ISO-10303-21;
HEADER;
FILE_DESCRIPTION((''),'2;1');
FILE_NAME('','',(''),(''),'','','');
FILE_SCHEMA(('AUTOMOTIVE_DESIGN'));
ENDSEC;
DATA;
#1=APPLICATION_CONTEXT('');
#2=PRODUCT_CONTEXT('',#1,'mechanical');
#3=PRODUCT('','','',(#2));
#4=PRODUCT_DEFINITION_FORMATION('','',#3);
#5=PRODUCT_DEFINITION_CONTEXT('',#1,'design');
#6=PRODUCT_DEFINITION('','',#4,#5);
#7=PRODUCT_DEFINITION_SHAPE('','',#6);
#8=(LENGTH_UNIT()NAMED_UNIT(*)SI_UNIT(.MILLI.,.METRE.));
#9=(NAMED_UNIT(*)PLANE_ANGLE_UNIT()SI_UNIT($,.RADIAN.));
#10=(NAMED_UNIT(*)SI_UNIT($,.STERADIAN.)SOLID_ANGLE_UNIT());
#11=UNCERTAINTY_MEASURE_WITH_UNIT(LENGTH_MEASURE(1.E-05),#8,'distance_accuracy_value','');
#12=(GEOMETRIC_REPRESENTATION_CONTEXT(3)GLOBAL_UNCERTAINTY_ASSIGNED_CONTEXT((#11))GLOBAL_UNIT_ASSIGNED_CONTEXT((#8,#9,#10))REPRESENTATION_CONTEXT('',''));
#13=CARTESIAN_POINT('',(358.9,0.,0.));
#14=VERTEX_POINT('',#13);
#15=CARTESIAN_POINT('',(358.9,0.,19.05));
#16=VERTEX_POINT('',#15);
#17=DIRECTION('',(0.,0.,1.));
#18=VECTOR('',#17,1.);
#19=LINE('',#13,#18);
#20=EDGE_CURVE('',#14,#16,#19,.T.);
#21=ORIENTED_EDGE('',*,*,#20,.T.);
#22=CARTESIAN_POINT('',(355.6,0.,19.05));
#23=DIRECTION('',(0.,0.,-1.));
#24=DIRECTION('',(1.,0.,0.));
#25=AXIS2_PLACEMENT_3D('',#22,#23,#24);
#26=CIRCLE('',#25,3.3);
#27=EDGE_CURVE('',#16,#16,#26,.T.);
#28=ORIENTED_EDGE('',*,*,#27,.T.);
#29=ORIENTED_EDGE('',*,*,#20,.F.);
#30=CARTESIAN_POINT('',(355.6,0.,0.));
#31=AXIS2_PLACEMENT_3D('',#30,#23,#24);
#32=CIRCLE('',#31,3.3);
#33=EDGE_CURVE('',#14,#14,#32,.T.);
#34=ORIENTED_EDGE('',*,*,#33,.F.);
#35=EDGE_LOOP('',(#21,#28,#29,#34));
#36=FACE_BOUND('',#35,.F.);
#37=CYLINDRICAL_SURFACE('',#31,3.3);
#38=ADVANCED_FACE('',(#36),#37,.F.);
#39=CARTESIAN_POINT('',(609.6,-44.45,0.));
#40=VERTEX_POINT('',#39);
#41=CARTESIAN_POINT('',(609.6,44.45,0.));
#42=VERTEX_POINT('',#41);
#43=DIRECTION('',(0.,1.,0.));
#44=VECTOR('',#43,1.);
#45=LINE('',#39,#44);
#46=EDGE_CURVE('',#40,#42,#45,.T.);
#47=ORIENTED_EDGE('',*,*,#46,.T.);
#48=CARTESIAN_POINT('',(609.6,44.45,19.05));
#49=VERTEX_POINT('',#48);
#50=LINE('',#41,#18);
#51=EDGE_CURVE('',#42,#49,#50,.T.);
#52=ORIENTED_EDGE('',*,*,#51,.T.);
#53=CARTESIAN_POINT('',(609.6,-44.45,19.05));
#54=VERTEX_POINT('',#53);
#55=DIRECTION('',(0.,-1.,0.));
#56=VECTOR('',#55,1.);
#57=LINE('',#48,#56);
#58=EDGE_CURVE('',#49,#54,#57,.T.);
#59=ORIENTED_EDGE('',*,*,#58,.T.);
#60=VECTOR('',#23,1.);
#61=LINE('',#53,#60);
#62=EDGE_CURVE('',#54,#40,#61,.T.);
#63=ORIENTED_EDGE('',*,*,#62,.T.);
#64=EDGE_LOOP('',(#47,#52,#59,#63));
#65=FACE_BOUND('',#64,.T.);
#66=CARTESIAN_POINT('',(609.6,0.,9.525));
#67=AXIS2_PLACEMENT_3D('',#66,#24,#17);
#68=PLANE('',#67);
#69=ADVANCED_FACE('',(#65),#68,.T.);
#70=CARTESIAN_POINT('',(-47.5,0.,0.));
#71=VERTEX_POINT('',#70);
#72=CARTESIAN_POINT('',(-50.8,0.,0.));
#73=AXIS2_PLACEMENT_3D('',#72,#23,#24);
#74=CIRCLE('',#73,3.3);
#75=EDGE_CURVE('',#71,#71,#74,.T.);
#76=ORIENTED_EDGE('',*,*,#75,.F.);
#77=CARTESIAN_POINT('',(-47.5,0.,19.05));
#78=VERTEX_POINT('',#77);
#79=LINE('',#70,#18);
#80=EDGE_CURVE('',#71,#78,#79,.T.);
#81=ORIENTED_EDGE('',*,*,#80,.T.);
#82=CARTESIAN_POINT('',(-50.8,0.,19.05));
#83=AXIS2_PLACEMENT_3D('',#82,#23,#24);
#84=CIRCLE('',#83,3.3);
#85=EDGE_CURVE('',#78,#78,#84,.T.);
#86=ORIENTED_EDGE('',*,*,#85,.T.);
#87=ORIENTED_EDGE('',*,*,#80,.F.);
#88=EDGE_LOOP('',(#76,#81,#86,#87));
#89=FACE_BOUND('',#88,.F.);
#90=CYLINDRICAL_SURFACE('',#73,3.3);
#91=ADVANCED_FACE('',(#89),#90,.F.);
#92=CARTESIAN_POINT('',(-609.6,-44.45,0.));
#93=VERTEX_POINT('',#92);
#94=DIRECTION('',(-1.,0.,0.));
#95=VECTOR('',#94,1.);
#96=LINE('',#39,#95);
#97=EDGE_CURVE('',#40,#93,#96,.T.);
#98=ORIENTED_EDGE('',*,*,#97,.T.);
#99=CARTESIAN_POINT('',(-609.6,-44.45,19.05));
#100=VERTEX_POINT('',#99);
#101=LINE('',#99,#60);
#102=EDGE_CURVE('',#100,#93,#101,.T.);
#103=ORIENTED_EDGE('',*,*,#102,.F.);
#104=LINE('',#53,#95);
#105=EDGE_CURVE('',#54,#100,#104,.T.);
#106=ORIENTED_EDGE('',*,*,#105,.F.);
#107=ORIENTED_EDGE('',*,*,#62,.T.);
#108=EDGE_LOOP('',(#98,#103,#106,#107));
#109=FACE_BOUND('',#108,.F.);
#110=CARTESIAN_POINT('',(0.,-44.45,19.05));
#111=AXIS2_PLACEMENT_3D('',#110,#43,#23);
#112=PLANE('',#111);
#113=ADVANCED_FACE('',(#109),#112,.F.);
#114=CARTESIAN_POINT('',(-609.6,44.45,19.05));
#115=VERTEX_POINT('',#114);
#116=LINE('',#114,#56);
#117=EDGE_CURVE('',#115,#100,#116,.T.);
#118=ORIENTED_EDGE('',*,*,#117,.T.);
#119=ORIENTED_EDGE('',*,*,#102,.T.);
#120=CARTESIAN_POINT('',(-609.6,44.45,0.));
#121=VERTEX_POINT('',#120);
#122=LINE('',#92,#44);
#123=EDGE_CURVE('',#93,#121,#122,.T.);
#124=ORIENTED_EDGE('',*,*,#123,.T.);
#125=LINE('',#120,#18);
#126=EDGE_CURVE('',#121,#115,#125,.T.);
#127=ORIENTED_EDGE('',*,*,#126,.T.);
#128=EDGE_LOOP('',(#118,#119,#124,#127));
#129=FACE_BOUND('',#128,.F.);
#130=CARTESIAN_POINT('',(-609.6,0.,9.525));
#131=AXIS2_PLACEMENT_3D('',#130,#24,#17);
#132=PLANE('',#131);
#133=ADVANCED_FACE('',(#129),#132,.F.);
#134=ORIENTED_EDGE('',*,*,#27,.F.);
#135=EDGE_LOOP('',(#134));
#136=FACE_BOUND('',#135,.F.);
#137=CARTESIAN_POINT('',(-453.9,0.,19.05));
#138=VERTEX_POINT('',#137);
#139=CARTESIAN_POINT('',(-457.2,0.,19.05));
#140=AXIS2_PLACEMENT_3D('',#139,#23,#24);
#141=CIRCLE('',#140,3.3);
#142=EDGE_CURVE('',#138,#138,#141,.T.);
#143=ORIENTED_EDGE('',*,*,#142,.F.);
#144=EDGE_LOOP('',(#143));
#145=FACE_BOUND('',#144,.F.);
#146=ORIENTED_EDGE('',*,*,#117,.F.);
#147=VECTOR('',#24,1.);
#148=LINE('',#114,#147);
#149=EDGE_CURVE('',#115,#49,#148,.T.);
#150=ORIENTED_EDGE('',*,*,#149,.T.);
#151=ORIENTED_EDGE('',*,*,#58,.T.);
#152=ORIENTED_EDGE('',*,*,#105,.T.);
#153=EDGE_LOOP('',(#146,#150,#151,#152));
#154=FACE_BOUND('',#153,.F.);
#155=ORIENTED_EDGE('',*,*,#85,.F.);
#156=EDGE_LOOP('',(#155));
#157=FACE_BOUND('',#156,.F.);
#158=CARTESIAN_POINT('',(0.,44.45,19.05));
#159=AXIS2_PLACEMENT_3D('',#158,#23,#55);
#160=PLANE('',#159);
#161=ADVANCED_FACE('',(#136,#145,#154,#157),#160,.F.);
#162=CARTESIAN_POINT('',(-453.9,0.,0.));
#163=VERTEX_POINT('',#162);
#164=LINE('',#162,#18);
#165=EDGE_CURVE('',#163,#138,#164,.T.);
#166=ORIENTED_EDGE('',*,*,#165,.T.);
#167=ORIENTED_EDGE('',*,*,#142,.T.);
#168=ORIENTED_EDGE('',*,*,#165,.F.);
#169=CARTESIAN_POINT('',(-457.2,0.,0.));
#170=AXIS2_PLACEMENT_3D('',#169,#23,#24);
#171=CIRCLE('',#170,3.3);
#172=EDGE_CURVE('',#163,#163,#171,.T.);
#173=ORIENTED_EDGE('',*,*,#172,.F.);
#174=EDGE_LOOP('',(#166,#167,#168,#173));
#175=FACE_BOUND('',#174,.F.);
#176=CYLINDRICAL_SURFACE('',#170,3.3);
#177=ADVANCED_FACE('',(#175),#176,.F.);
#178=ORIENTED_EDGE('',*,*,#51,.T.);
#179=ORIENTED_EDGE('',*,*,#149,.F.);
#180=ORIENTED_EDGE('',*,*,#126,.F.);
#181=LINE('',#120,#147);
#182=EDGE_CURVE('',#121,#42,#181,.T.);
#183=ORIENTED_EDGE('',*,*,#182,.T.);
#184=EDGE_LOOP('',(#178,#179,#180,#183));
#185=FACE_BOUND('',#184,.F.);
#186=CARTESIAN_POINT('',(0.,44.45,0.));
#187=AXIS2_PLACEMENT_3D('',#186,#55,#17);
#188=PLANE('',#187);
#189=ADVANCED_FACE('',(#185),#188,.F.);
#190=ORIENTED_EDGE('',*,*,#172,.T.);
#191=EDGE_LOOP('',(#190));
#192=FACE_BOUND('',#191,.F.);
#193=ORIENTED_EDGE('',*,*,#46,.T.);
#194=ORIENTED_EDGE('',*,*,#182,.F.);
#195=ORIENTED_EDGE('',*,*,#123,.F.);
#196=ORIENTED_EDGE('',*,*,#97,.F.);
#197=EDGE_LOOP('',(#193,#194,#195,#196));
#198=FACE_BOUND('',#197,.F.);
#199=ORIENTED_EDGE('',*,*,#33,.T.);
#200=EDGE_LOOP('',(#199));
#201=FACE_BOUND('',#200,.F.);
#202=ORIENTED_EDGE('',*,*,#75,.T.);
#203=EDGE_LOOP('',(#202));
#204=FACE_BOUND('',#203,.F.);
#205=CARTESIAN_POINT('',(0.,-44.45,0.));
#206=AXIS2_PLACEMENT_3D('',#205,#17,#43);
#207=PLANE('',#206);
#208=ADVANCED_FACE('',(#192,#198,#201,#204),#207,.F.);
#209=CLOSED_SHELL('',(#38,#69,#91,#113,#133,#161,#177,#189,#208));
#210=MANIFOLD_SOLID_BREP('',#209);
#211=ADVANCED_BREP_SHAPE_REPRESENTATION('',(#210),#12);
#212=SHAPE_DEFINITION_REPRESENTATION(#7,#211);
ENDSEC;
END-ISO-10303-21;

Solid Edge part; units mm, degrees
sketch "Sketch1" plane through (0, 0, 0) normal (1, 0, 0) x (0, 1, 0)
  line L0 (-44.45, 0) -> (44.45, 0)
  line L1 (44.45, 0) -> (44.45, 19.05)
  line L2 (44.45, 19.05) -> (-44.45, 19.05)
  line L3 (-44.45, 19.05) -> (-44.45, 0)
  dimension "D1" = 88.9
  dimension "D2" = 19.05
extrude "Protrusion1" add sketch "Sketch1" along normal mid plane 1219.2
sketch "Sketch2" plane through (0, 0, 0) normal (0, 0, -1) x (1, 0, 0)
  circle A0 centre (-457.2, 0) radius 3.3
  dimension "D1" = 6.6
  dimension "D2" = 152.4
extrude "Cutout1" cut sketch "Sketch2" against normal through all
pattern_linear "Pattern1" count 3 spacing 406.4 along (1, 0, 0) of "Cutout1"
